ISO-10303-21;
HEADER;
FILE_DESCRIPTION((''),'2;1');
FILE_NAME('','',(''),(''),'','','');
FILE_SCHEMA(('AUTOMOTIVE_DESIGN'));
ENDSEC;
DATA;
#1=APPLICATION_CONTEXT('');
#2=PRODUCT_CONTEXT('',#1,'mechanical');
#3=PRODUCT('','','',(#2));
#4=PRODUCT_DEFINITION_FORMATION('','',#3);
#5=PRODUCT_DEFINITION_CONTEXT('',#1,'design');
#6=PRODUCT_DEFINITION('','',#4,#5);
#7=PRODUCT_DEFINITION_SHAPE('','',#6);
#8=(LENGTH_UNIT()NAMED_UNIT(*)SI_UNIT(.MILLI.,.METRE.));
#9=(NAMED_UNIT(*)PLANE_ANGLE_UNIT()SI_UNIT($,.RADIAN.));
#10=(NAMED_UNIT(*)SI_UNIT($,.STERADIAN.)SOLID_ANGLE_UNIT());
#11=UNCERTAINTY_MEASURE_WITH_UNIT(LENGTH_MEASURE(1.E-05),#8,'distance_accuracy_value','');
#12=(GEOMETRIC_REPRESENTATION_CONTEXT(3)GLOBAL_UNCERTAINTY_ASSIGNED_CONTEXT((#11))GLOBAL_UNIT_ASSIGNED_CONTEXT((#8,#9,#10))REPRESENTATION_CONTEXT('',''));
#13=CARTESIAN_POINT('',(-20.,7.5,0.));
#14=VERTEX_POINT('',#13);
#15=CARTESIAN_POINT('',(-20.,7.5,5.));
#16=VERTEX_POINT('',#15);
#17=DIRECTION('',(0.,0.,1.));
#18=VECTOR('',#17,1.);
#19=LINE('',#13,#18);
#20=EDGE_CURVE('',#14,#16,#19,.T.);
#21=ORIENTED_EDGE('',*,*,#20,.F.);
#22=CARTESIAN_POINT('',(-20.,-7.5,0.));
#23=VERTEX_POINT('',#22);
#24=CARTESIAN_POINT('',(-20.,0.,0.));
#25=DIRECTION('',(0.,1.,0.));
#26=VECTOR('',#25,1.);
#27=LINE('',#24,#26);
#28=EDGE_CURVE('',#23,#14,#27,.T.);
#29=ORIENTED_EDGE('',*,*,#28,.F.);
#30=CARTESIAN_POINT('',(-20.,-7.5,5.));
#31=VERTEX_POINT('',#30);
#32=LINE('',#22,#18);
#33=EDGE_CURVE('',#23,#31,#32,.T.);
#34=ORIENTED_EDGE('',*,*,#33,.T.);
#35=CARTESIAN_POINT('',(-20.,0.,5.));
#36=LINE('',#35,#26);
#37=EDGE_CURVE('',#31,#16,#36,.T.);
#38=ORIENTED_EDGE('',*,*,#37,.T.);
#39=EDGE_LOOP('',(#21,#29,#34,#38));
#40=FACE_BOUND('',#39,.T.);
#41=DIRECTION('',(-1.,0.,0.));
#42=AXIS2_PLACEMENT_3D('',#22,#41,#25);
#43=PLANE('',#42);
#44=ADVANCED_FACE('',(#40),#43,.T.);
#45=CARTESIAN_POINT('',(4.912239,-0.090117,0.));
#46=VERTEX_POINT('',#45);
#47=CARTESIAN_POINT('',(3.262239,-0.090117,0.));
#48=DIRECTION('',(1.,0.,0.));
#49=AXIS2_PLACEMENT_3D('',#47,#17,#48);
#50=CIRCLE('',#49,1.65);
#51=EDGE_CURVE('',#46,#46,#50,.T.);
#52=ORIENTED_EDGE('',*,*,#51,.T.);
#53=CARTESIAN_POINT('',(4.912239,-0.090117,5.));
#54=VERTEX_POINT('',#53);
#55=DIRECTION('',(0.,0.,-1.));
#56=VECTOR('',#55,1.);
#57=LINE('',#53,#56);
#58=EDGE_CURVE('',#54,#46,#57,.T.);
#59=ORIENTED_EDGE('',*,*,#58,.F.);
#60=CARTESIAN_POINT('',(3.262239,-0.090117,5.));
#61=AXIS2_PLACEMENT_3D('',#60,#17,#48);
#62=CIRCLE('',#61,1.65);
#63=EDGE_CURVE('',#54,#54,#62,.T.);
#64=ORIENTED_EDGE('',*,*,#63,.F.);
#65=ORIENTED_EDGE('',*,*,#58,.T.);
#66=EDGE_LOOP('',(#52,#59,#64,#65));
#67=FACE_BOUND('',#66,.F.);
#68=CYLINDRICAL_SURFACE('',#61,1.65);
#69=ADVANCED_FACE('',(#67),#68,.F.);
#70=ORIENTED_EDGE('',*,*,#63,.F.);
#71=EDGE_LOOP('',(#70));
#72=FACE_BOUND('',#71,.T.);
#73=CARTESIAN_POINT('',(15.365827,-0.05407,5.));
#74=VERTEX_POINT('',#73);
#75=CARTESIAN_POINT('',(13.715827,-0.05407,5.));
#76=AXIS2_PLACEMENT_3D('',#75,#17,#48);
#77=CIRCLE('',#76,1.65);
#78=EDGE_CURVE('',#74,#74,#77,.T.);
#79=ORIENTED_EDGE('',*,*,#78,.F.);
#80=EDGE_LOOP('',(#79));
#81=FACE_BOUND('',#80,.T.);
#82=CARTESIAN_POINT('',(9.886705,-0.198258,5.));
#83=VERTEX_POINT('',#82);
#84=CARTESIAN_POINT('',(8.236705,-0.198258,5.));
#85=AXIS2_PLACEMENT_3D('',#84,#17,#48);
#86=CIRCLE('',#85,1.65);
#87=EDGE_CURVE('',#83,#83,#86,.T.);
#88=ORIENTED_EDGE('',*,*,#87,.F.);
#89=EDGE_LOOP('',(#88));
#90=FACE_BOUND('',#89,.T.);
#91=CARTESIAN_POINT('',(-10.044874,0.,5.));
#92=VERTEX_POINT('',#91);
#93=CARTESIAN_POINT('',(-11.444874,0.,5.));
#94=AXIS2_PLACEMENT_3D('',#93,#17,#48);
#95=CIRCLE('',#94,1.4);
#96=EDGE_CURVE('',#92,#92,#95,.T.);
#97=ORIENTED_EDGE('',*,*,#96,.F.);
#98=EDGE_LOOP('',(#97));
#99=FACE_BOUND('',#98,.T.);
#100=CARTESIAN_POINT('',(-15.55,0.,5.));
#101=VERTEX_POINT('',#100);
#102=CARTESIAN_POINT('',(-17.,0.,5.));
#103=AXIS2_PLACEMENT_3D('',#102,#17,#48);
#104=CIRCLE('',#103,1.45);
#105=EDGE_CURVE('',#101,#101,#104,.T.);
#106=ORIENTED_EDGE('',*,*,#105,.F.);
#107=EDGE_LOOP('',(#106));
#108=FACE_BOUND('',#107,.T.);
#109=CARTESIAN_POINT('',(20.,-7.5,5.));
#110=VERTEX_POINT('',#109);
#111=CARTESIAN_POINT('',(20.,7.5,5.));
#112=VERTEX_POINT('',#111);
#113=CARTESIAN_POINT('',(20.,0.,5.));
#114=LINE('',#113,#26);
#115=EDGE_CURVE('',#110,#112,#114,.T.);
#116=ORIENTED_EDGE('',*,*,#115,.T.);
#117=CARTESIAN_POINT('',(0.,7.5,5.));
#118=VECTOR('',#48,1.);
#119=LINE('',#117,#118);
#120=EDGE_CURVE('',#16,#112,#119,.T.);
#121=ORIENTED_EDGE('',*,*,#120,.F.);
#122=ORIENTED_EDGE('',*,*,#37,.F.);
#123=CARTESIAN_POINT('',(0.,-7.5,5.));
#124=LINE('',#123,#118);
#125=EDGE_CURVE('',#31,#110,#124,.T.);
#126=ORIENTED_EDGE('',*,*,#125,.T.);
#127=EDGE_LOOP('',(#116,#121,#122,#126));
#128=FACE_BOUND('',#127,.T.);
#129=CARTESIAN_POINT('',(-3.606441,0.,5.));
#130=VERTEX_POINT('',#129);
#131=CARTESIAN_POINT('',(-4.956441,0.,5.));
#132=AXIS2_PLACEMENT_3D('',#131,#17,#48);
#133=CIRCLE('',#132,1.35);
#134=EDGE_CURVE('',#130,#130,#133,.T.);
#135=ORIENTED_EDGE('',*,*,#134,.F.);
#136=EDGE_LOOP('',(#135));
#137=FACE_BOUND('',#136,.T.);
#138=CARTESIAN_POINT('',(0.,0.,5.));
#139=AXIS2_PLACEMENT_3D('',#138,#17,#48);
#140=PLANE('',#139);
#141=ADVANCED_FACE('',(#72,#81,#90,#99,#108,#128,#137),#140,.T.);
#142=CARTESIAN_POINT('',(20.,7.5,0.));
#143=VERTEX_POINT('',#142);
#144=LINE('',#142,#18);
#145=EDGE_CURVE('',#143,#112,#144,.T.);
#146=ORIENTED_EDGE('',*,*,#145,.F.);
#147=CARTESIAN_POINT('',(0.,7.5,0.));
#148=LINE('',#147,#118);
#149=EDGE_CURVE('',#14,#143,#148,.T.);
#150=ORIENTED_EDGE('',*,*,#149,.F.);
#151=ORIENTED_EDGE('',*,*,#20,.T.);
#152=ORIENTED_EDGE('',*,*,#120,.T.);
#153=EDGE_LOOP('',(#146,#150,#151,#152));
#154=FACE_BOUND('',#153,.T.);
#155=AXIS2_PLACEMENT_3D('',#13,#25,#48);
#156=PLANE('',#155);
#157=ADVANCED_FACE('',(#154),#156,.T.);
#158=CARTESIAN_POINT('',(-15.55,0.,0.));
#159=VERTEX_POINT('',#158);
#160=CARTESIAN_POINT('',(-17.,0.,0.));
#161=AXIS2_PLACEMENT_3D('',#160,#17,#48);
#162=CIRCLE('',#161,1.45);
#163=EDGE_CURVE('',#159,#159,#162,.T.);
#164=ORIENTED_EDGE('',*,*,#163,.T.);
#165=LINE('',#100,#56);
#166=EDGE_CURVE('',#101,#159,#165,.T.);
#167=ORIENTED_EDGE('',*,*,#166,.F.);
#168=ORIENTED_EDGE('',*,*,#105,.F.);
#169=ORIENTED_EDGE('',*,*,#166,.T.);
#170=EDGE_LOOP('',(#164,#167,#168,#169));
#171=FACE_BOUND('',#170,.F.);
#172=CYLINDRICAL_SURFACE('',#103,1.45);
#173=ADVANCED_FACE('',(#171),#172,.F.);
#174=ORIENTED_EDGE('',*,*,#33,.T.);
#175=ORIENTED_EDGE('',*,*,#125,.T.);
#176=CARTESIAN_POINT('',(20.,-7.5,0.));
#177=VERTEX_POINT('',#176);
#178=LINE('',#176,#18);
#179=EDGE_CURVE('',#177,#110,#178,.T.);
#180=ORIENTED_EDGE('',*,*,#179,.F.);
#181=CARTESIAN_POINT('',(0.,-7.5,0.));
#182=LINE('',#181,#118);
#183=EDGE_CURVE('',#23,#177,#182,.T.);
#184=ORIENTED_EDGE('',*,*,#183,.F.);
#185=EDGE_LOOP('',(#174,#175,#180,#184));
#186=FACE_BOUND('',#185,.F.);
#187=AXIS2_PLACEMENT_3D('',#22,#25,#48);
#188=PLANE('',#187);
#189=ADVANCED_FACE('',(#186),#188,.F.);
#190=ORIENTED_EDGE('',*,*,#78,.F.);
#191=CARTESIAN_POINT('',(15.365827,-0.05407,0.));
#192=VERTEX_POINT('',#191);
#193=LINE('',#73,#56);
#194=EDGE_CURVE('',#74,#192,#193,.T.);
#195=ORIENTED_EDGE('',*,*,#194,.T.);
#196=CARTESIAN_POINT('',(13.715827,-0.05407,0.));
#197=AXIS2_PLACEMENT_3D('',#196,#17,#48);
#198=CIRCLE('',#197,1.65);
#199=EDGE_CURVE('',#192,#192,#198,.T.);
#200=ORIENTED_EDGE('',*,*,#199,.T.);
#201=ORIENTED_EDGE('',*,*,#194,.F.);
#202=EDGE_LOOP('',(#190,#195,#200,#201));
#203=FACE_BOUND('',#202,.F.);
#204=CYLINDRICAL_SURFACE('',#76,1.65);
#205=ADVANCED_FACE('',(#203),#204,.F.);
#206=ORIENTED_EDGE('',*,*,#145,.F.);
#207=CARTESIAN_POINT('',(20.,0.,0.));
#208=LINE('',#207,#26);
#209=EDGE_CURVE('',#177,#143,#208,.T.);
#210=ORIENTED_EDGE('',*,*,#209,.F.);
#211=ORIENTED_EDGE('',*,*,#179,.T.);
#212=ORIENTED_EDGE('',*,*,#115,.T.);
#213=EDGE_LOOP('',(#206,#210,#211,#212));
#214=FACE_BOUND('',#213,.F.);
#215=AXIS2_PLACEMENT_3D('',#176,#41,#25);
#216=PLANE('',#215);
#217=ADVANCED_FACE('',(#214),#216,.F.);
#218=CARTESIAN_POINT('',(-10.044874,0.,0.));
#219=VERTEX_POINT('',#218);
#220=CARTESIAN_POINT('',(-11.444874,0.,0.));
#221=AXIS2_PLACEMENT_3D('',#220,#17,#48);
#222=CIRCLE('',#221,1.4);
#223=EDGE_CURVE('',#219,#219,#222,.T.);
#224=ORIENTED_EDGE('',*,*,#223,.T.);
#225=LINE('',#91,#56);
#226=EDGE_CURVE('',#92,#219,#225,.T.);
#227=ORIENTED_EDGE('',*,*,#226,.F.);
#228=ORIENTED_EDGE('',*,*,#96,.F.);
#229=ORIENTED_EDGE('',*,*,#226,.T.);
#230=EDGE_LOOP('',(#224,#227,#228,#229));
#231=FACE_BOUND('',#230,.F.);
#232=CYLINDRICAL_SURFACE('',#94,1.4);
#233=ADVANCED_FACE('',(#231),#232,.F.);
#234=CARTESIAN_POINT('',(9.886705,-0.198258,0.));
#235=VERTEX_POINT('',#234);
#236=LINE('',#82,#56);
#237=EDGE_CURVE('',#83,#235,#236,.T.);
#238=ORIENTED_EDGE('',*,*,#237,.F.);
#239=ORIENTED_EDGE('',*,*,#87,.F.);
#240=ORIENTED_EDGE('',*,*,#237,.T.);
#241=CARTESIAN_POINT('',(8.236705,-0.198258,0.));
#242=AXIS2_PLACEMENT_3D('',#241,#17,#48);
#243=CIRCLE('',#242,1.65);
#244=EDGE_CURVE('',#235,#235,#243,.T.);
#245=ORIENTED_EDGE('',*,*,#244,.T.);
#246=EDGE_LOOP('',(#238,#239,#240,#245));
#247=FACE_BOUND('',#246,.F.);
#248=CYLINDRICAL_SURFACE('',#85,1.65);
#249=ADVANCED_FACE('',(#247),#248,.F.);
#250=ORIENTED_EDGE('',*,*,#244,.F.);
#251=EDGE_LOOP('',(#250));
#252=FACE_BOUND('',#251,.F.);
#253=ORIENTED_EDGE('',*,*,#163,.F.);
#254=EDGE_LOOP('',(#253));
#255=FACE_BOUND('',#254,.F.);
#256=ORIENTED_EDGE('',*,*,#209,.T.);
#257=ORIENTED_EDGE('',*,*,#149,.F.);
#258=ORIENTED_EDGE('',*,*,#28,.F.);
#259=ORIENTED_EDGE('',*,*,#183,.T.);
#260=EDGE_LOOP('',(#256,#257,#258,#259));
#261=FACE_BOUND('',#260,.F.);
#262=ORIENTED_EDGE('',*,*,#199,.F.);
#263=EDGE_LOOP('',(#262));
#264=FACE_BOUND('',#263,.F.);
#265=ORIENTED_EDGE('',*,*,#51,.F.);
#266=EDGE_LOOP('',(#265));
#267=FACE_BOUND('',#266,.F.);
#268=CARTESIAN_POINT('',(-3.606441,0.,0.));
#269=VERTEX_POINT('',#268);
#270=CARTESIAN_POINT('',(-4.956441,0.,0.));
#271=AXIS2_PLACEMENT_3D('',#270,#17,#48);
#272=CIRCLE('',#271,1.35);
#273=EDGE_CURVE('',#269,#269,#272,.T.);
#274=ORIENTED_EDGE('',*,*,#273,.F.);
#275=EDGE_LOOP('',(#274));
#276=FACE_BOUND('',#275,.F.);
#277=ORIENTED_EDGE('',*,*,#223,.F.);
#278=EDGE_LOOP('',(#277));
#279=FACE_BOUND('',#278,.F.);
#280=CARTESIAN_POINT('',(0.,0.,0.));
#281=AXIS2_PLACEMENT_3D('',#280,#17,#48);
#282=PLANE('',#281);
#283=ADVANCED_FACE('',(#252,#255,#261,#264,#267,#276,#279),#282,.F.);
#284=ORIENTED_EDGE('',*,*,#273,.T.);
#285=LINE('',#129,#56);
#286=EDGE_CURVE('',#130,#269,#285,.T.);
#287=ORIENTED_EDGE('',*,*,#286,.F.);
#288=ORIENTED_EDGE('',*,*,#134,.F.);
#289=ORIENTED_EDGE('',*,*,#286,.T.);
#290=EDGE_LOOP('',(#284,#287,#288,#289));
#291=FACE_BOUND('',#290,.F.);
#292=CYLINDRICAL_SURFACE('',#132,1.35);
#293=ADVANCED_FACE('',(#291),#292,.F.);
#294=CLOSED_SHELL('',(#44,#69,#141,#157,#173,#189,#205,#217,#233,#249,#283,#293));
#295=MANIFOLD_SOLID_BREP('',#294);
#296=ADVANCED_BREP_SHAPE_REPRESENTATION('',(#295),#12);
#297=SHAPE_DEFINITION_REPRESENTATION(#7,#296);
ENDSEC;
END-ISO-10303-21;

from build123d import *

# Parameters (mm, degrees)
SKETCH_W      = 40
SKETCH_H      = 15
PAD_DEPTH     = 5
SKETCH001_R   = 1.45
SKETCH001_R_2 = 1.4
SKETCH001_R_3 = 1.35
POCKET_DEPTH  = 20
SKETCH002_R   = 1.65
HOLE_DEPTH    = 25


with BuildPart() as part:
    # Sketch → Pad (new body)
    with BuildSketch(Plane.XY):
        Rectangle(SKETCH_W, SKETCH_H)
    extrude(amount=PAD_DEPTH)

    # Sketch001 (on Face6 of Pad) → Pocket (cut)
    with BuildSketch(Plane.XY.offset(5)):
        with Locations((-17, 0)):
            Circle(SKETCH001_R)
        with Locations((-11.444874, 0)):
            Circle(SKETCH001_R_2)
        with Locations((-4.956441, 0)):
            Circle(SKETCH001_R_3)
    extrude(amount=-POCKET_DEPTH, mode=Mode.SUBTRACT)

    # Sketch002 (on Face5 of Pocket) → Hole (cut)
    with BuildSketch(Plane.XY.offset(5)):
        with Locations((3.262239, -0.090117)):
            Circle(SKETCH002_R)
        with Locations((8.236705, -0.198258)):
            Circle(SKETCH002_R)
        with Locations((13.715827, -0.05407)):
            Circle(SKETCH002_R)
    extrude(amount=-HOLE_DEPTH, mode=Mode.SUBTRACT)


solid = part.part
